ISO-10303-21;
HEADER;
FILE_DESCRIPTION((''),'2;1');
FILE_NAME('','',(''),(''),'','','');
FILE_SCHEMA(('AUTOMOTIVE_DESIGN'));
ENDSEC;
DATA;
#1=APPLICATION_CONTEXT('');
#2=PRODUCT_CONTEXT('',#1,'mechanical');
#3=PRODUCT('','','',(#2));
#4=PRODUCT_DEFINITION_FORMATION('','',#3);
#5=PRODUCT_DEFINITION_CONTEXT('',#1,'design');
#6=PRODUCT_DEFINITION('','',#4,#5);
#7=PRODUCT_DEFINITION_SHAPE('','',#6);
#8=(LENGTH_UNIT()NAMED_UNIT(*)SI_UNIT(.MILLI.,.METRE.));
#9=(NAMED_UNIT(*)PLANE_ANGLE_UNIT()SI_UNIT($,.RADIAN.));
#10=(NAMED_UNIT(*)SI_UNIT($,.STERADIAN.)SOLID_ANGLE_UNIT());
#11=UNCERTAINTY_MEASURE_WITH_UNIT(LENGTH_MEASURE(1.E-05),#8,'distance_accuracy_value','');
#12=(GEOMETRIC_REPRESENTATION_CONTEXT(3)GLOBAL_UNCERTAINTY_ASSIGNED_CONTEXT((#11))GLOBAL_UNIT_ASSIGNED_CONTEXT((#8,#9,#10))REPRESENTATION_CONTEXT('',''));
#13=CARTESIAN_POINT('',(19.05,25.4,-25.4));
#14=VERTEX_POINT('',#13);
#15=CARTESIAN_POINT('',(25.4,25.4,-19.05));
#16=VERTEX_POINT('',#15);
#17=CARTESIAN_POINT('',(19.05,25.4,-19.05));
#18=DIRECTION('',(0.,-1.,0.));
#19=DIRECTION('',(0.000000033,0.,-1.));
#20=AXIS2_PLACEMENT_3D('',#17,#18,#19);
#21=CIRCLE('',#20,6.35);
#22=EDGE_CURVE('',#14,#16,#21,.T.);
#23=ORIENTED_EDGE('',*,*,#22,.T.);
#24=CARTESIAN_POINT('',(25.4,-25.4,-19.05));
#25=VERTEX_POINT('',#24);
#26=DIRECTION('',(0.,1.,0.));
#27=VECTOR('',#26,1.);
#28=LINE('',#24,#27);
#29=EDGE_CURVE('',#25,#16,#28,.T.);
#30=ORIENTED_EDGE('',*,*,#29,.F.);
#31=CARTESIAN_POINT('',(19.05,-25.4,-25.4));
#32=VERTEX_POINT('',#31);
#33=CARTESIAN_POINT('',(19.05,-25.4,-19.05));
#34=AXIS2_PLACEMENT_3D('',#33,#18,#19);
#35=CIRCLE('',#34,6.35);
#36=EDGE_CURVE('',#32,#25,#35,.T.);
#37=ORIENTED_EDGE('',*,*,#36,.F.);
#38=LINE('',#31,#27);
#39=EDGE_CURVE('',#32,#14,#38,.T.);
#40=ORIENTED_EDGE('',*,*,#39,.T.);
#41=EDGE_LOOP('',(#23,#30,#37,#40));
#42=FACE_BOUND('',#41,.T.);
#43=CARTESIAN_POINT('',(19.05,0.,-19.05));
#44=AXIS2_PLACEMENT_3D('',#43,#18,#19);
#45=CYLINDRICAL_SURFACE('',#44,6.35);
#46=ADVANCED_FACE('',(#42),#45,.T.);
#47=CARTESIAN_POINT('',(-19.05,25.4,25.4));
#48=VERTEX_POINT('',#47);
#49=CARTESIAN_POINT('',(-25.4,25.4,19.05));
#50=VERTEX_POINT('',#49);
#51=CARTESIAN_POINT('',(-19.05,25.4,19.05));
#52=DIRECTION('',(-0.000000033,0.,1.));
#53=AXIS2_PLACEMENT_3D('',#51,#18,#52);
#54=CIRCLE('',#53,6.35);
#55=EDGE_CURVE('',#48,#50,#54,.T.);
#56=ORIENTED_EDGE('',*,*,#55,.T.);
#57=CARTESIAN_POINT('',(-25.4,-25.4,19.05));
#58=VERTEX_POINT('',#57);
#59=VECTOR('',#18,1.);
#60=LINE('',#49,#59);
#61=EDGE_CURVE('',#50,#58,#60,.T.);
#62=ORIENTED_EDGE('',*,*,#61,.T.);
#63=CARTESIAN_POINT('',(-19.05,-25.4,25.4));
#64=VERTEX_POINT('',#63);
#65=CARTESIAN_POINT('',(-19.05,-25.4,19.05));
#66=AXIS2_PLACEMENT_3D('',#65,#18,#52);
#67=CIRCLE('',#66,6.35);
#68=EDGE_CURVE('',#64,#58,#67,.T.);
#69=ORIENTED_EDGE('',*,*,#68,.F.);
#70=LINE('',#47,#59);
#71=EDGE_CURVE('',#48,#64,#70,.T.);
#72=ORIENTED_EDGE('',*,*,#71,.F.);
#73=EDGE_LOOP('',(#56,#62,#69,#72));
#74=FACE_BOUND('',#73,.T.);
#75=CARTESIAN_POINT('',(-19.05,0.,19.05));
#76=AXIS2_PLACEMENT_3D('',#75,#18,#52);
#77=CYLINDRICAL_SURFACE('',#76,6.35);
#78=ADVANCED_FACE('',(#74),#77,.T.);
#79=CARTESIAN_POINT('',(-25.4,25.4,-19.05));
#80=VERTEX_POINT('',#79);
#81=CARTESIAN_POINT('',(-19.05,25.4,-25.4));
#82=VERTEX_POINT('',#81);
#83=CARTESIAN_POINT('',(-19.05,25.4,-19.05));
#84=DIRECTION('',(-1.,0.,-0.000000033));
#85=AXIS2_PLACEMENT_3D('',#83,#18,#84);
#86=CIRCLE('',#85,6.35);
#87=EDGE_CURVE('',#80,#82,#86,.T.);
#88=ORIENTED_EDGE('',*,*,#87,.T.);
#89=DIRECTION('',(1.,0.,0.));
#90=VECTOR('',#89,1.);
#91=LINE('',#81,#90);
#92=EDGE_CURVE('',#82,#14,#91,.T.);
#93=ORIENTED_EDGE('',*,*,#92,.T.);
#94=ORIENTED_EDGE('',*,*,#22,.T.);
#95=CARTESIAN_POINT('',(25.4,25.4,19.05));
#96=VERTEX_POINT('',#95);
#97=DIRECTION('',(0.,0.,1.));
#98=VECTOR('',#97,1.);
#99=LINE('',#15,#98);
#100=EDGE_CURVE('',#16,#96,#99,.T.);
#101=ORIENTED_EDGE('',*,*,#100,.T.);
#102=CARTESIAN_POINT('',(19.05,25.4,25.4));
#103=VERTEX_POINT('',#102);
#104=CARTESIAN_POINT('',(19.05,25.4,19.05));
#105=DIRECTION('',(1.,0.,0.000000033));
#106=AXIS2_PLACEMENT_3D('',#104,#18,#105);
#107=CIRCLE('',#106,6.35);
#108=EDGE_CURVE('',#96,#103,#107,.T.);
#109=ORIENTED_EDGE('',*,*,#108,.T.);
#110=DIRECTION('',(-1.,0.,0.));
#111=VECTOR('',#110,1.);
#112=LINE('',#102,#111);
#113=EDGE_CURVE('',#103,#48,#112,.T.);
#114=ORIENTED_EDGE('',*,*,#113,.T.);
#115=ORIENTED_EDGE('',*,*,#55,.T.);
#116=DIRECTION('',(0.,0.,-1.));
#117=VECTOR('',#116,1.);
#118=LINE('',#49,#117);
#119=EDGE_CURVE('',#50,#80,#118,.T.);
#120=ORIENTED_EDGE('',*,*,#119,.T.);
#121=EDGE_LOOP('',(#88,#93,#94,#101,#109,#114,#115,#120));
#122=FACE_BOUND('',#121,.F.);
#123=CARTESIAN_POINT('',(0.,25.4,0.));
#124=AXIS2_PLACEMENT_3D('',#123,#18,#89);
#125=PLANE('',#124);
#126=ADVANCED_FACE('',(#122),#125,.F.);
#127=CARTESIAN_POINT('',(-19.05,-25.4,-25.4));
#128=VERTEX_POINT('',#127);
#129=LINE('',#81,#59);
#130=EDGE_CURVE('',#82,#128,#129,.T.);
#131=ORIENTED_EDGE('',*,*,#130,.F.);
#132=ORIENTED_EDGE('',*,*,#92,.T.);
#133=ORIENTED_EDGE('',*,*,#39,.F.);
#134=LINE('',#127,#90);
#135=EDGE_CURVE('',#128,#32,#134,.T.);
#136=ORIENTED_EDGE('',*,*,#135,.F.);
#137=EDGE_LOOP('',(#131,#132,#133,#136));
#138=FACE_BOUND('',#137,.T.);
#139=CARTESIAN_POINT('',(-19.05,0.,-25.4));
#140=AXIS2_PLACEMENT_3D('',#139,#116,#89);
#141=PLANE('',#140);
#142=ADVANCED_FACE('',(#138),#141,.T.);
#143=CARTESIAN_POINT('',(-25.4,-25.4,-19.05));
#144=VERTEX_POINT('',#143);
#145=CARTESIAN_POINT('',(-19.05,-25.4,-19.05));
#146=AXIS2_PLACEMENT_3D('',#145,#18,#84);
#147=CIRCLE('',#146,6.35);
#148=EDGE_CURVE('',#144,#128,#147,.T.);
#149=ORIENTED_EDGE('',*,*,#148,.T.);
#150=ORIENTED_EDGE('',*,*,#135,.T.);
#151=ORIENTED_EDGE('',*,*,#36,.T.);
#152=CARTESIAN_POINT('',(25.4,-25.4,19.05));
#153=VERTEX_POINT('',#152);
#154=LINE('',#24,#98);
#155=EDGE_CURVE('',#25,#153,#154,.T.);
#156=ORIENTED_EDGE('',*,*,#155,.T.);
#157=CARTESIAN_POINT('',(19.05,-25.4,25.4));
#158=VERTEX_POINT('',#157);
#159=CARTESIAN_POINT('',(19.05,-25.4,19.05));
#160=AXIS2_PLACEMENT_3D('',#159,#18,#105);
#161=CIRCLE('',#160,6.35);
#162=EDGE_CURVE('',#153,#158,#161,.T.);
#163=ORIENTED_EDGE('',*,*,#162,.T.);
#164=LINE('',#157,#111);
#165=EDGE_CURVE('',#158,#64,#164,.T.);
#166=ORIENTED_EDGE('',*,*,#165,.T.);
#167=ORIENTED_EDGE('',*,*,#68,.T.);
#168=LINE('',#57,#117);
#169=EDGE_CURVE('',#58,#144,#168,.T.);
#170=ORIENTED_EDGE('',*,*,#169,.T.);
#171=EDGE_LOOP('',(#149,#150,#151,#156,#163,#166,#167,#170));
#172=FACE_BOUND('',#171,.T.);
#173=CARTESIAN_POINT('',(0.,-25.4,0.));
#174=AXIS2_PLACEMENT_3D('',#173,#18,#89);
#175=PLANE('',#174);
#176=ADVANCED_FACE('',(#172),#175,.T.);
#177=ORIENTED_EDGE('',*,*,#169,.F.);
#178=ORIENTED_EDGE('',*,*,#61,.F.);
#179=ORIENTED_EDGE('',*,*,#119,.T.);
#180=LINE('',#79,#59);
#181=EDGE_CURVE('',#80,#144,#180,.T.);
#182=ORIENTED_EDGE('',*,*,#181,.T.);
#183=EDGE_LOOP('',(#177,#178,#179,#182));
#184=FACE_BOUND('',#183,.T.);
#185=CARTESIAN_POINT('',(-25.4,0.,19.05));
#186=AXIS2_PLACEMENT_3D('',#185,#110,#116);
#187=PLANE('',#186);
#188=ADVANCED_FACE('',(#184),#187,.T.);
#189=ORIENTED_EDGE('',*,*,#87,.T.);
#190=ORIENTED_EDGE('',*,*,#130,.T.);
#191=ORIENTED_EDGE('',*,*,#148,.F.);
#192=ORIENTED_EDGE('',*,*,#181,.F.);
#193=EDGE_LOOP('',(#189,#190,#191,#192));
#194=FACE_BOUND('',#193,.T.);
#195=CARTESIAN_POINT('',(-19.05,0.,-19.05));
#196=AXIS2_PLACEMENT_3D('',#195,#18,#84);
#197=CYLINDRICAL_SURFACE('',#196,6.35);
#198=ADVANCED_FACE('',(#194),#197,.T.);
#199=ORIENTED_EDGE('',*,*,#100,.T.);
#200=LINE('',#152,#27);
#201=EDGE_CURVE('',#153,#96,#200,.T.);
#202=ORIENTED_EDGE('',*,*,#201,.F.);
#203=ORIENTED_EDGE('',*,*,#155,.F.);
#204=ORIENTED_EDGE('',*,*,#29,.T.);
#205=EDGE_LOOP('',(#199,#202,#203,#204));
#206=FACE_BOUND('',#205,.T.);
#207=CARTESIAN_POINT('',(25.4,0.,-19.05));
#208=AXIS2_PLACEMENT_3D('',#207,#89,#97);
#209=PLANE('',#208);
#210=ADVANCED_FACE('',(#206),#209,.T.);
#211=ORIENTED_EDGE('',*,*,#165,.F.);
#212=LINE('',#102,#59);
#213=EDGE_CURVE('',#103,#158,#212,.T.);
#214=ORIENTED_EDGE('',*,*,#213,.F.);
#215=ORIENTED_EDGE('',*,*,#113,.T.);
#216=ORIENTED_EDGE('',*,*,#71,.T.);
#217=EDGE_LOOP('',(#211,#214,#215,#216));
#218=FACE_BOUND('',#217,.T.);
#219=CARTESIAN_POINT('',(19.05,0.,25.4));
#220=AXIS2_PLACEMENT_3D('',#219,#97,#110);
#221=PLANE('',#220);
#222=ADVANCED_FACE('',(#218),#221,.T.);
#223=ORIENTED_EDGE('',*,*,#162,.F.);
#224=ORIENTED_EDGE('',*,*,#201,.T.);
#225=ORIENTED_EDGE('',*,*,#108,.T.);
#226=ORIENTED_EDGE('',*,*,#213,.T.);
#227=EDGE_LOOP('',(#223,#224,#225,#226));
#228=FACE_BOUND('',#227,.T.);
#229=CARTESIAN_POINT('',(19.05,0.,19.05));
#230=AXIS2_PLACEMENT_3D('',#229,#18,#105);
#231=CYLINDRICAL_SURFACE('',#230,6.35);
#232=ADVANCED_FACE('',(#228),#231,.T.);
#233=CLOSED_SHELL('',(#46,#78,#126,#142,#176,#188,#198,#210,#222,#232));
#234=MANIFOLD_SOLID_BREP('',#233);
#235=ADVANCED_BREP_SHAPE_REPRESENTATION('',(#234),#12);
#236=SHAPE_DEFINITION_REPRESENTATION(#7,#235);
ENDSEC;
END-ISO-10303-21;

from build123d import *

# Parameters (mm, degrees)
F1_DEPTH = 25.4


with BuildPart() as f1:
    # F0 (on Front) → F1 (new body, symmetric)
    with BuildSketch(Plane.XZ):
        with BuildLine():
            ThreePointArc((25.4, 19.05), (23.540128, 23.540128), (19.05, 25.4))
            Line((19.05, 25.4), (-19.05, 25.4))
            ThreePointArc((-19.05, 25.4), (-23.540128, 23.540128), (-25.4, 19.05))
            Line((-25.4, 19.05), (-25.4, -19.05))
            ThreePointArc((-25.4, -19.05), (-23.540128, -23.540128), (-19.05, -25.4))
            Line((-19.05, -25.4), (19.05, -25.4))
            ThreePointArc((19.05, -25.4), (23.540128, -23.540128), (25.4, -19.05))
            Line((25.4, -19.05), (25.4, 19.05))
        make_face()
    extrude(amount=F1_DEPTH, both=True)


solid = f1.part
